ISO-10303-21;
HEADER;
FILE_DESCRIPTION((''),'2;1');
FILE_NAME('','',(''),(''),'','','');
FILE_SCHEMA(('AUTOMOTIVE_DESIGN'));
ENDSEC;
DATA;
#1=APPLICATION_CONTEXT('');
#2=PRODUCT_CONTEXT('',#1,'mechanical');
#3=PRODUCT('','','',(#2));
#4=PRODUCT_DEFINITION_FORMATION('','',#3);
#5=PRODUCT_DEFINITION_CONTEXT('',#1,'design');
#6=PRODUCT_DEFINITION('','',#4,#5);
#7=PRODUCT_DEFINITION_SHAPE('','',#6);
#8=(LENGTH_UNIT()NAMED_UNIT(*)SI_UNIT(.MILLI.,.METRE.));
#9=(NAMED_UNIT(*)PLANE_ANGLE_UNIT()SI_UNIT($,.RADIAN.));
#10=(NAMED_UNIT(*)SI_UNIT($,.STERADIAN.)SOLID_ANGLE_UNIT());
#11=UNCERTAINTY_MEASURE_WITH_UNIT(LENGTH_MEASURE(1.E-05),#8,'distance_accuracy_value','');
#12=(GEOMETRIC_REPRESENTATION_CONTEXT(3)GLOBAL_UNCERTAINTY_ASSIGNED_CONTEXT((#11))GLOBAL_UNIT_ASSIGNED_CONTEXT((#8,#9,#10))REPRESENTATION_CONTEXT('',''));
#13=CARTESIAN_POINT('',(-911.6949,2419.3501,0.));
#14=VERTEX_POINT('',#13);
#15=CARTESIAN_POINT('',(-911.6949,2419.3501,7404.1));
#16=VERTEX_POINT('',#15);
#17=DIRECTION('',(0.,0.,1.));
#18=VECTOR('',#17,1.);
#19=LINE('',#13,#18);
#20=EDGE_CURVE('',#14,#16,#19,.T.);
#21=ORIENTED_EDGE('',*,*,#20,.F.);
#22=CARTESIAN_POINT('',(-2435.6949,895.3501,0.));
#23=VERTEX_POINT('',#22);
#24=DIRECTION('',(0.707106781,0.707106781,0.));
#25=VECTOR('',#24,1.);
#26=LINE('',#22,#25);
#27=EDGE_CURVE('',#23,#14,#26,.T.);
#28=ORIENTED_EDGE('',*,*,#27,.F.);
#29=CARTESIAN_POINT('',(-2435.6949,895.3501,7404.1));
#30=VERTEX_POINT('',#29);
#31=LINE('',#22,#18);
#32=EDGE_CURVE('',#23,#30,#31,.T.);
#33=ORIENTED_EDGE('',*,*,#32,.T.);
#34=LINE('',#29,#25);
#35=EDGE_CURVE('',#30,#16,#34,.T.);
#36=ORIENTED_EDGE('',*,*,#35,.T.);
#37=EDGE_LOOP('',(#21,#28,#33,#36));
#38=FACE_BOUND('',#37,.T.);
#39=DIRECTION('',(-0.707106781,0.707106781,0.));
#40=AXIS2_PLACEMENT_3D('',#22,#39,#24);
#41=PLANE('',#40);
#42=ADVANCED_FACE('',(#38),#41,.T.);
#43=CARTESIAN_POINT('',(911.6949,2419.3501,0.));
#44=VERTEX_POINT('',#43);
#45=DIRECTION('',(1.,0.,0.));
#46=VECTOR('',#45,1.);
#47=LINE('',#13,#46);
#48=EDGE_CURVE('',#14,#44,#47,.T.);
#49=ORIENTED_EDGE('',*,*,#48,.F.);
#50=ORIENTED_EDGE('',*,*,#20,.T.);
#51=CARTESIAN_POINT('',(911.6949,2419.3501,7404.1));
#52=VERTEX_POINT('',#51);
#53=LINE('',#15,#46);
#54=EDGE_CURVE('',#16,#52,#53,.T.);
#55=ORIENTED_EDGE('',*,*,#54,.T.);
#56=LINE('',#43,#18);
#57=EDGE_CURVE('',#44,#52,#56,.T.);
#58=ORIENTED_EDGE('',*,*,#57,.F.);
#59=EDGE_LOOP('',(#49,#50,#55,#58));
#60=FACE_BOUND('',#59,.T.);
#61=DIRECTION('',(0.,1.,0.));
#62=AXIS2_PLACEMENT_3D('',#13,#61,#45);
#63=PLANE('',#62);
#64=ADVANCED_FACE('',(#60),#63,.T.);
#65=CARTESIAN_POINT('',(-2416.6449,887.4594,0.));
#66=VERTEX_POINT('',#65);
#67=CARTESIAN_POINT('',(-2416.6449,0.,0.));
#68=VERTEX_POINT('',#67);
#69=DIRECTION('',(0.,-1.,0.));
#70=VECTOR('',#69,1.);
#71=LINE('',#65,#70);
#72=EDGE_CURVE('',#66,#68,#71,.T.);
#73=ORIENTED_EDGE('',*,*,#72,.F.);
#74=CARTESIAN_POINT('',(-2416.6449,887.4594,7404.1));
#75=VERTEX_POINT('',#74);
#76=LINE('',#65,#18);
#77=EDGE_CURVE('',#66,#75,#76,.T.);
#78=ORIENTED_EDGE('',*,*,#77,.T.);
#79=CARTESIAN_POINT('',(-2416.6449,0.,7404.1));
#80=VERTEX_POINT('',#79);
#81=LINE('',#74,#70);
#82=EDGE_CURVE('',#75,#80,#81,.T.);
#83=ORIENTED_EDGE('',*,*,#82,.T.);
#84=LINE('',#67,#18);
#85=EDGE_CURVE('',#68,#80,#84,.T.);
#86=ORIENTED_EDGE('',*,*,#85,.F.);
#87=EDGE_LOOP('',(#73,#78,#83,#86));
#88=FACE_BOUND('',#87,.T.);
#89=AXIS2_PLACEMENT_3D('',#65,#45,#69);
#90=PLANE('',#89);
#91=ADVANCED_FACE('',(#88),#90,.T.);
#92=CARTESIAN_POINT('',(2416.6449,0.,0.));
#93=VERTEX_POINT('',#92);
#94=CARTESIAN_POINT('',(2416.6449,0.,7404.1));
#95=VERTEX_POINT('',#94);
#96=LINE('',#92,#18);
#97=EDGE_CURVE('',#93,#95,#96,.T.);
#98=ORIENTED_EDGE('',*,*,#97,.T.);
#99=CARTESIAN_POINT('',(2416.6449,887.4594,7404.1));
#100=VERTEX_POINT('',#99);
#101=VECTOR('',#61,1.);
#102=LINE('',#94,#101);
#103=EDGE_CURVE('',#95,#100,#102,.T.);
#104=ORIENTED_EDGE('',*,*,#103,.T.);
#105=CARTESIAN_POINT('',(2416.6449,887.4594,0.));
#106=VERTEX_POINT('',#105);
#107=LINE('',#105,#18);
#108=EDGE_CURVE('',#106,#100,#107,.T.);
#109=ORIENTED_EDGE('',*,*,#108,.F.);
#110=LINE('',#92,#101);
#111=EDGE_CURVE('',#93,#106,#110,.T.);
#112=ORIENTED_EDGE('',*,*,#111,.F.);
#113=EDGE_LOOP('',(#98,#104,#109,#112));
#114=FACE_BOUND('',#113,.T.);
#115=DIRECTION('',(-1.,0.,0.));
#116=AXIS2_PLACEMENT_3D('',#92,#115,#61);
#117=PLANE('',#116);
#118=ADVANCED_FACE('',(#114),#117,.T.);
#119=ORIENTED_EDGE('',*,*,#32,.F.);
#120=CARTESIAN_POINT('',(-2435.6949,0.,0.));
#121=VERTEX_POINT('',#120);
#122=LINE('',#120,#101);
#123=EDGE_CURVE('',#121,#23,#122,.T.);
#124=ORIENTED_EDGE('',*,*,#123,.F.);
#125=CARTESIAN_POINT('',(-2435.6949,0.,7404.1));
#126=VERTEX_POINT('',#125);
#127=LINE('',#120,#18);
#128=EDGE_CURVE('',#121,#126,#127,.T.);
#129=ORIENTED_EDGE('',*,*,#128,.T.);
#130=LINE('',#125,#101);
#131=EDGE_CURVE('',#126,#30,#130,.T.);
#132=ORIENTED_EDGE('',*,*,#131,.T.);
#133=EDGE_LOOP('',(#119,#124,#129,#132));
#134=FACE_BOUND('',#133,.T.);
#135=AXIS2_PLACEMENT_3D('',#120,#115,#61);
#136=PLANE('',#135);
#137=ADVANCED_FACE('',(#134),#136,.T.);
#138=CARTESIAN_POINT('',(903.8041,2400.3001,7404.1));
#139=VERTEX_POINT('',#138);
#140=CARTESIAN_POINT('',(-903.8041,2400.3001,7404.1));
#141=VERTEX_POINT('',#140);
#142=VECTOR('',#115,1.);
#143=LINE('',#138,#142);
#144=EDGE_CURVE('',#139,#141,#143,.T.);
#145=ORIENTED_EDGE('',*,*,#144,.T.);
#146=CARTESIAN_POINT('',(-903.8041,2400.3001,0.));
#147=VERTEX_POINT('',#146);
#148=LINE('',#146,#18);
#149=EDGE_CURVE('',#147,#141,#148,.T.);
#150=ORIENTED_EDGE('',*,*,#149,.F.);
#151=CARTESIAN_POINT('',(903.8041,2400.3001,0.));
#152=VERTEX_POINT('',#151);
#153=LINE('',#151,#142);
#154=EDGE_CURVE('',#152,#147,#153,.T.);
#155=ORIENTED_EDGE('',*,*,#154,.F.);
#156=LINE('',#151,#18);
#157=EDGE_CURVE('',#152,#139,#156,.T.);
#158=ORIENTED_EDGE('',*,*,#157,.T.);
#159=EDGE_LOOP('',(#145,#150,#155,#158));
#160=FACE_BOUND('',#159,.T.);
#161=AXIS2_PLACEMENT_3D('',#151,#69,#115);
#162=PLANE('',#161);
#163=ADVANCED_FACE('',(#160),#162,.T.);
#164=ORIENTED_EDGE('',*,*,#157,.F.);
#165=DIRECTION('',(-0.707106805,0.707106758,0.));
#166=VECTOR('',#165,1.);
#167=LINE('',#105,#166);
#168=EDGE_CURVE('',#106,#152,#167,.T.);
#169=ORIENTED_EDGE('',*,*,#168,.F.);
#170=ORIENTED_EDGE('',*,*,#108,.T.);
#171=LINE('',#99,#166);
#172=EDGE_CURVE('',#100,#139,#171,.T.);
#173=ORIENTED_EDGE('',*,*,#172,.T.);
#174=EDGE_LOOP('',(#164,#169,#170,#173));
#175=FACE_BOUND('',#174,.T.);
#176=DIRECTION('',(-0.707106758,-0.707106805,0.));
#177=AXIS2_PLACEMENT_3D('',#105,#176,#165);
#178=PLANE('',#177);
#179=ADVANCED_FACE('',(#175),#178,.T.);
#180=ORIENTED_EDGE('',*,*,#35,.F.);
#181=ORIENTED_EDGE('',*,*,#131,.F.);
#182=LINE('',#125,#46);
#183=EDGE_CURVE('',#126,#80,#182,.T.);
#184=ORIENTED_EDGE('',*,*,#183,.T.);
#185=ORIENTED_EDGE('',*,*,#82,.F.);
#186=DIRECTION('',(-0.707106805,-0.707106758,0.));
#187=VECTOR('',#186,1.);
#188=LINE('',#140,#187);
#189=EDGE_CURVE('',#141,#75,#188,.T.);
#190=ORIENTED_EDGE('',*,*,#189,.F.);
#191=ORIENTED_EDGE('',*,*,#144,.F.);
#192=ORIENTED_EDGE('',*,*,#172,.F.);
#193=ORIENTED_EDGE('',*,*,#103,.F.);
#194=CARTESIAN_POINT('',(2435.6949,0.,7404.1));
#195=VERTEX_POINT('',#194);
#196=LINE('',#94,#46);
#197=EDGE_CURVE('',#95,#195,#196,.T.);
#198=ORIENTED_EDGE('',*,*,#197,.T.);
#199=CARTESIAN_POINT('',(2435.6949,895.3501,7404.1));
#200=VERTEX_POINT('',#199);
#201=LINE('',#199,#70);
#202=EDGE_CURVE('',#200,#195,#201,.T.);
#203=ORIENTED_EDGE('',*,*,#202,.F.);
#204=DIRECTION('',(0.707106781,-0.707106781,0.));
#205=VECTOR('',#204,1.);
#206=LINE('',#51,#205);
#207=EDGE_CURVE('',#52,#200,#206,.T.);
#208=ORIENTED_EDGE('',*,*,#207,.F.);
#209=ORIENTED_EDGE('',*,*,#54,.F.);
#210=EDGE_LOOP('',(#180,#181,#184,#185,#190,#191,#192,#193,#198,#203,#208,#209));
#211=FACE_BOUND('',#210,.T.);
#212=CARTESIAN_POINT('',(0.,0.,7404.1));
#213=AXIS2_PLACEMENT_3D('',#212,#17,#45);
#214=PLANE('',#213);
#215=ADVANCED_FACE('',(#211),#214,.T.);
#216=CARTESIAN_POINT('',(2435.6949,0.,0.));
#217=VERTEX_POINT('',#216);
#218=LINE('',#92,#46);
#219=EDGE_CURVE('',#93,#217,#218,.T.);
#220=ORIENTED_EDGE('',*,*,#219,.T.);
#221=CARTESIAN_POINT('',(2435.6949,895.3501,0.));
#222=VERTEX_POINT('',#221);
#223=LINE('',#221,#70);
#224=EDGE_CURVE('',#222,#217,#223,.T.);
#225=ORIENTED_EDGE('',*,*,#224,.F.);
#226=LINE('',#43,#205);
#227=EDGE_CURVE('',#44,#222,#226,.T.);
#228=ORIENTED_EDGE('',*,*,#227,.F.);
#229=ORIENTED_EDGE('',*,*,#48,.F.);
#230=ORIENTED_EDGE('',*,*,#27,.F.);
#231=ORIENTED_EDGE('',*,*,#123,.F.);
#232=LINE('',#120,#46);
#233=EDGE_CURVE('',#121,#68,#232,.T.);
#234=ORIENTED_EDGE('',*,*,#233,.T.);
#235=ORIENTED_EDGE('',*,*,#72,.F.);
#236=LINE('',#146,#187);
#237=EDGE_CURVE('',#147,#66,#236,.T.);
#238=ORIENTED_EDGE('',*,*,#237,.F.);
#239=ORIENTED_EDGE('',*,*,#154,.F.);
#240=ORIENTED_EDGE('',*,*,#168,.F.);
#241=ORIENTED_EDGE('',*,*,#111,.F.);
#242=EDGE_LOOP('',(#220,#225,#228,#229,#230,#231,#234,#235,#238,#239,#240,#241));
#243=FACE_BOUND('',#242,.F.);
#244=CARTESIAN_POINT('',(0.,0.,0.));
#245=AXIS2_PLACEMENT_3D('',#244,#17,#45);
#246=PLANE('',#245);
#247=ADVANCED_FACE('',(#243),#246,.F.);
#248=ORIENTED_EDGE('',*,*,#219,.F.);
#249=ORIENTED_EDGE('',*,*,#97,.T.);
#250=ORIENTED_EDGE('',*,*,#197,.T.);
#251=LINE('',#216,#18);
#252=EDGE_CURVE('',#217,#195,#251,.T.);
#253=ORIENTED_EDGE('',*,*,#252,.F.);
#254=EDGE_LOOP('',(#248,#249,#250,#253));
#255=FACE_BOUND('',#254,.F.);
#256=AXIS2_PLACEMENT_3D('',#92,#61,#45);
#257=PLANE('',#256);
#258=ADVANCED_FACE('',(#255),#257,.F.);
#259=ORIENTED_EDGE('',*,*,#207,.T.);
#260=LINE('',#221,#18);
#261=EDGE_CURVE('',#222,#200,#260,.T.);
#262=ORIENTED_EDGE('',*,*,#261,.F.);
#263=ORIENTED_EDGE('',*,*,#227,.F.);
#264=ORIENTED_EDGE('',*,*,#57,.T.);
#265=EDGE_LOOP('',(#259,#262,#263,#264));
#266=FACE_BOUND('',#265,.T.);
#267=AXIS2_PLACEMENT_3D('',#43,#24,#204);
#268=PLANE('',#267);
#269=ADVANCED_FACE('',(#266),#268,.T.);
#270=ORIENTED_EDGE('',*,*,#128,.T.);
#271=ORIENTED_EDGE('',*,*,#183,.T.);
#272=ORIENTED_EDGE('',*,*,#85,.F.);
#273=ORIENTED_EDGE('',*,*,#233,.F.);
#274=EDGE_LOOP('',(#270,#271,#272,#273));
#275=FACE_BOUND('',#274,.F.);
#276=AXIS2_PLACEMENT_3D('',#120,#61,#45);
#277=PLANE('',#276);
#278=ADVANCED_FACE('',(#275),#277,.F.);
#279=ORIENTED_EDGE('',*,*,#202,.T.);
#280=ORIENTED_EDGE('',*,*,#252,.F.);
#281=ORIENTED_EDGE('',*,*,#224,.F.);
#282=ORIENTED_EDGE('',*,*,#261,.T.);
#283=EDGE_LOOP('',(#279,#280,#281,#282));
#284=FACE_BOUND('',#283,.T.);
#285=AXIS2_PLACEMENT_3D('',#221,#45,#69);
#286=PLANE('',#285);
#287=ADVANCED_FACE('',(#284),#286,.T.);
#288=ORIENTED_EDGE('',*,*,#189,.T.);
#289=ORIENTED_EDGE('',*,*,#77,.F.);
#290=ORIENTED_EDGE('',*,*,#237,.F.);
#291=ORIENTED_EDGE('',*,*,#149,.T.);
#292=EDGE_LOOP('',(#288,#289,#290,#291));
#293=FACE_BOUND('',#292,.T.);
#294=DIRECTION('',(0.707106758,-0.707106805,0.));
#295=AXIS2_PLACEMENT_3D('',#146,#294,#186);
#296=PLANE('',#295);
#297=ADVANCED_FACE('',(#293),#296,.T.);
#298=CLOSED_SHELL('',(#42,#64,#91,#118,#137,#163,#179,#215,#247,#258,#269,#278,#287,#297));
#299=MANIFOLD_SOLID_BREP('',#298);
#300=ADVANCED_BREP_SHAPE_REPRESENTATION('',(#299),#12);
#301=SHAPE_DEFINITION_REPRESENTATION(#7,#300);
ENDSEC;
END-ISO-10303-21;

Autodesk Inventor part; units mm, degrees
ref_plane "YZ Plane" through (0, 0, 0) normal (1, 0, 0) x (0, 1, 0)
ref_plane "XZ Plane" through (0, 0, 0) normal (0, 1, 0) x (-1, 0, 0)
ref_plane "XY Plane" through (0, 0, 0) normal (0, 0, 1) x (1, 0, 0)
sketch "Sketch1" plane through (0, 0, 0) normal (0, 0, 1) x (1, 0, 0)
  line L0 (-2435.6949, 0) -> (-2435.6949, 895.3501)
  line L1 (-2435.6949, 895.3501) -> (-911.6949, 2419.3501)
  line L2 (-911.6949, 2419.3501) -> (911.6949, 2419.3501)
  line L3 (911.6949, 2419.3501) -> (2435.6949, 895.3501)
  line L4 (2435.6949, 895.3501) -> (2435.6949, 0)
  line L5 (903.8041, 2400.3001) -> (-903.8041, 2400.3001)
  line L6 (-903.8041, 2400.3001) -> (-2416.6449, 887.4594)
  line L7 (-2416.6449, 887.4594) -> (-2416.6449, 0)
  line L8 (2416.6449, 0) -> (2416.6449, 887.4594)
  line L9 (2416.6449, 887.4594) -> (903.8041, 2400.3001)
  line L10 (2416.6449, 0) -> (2435.6949, 0)
  line L11 (-2435.6949, 0) -> (-2416.6449, 0)
  line L12 (2435.6949, 0) -> (-2435.6949, 0)
  point P0 (0, 0)
  point P1 (0, 0)
  point P2 (0, 0)
  dimension "d2" = 4871.3898
  dimension "d3" = 135
  dimension "d4" = 1823.3898
  dimension "d5" = 19.05
  dimension "d8" = 895.3501
  dimension "d9" = 135
  dimension "d10" = 19.05
  dimension "d11" = 19.05
  dimension "d12" = 19.05
  dimension "d13" = 135
extrude "Extrusion1" add sketch "Sketch1" along normal blind 7404.1 contours L0 L1 L2 L3 L4 L10 L8 L9 L5 L6 L7 L11
properties part number "Drywall" material "Concrete"
